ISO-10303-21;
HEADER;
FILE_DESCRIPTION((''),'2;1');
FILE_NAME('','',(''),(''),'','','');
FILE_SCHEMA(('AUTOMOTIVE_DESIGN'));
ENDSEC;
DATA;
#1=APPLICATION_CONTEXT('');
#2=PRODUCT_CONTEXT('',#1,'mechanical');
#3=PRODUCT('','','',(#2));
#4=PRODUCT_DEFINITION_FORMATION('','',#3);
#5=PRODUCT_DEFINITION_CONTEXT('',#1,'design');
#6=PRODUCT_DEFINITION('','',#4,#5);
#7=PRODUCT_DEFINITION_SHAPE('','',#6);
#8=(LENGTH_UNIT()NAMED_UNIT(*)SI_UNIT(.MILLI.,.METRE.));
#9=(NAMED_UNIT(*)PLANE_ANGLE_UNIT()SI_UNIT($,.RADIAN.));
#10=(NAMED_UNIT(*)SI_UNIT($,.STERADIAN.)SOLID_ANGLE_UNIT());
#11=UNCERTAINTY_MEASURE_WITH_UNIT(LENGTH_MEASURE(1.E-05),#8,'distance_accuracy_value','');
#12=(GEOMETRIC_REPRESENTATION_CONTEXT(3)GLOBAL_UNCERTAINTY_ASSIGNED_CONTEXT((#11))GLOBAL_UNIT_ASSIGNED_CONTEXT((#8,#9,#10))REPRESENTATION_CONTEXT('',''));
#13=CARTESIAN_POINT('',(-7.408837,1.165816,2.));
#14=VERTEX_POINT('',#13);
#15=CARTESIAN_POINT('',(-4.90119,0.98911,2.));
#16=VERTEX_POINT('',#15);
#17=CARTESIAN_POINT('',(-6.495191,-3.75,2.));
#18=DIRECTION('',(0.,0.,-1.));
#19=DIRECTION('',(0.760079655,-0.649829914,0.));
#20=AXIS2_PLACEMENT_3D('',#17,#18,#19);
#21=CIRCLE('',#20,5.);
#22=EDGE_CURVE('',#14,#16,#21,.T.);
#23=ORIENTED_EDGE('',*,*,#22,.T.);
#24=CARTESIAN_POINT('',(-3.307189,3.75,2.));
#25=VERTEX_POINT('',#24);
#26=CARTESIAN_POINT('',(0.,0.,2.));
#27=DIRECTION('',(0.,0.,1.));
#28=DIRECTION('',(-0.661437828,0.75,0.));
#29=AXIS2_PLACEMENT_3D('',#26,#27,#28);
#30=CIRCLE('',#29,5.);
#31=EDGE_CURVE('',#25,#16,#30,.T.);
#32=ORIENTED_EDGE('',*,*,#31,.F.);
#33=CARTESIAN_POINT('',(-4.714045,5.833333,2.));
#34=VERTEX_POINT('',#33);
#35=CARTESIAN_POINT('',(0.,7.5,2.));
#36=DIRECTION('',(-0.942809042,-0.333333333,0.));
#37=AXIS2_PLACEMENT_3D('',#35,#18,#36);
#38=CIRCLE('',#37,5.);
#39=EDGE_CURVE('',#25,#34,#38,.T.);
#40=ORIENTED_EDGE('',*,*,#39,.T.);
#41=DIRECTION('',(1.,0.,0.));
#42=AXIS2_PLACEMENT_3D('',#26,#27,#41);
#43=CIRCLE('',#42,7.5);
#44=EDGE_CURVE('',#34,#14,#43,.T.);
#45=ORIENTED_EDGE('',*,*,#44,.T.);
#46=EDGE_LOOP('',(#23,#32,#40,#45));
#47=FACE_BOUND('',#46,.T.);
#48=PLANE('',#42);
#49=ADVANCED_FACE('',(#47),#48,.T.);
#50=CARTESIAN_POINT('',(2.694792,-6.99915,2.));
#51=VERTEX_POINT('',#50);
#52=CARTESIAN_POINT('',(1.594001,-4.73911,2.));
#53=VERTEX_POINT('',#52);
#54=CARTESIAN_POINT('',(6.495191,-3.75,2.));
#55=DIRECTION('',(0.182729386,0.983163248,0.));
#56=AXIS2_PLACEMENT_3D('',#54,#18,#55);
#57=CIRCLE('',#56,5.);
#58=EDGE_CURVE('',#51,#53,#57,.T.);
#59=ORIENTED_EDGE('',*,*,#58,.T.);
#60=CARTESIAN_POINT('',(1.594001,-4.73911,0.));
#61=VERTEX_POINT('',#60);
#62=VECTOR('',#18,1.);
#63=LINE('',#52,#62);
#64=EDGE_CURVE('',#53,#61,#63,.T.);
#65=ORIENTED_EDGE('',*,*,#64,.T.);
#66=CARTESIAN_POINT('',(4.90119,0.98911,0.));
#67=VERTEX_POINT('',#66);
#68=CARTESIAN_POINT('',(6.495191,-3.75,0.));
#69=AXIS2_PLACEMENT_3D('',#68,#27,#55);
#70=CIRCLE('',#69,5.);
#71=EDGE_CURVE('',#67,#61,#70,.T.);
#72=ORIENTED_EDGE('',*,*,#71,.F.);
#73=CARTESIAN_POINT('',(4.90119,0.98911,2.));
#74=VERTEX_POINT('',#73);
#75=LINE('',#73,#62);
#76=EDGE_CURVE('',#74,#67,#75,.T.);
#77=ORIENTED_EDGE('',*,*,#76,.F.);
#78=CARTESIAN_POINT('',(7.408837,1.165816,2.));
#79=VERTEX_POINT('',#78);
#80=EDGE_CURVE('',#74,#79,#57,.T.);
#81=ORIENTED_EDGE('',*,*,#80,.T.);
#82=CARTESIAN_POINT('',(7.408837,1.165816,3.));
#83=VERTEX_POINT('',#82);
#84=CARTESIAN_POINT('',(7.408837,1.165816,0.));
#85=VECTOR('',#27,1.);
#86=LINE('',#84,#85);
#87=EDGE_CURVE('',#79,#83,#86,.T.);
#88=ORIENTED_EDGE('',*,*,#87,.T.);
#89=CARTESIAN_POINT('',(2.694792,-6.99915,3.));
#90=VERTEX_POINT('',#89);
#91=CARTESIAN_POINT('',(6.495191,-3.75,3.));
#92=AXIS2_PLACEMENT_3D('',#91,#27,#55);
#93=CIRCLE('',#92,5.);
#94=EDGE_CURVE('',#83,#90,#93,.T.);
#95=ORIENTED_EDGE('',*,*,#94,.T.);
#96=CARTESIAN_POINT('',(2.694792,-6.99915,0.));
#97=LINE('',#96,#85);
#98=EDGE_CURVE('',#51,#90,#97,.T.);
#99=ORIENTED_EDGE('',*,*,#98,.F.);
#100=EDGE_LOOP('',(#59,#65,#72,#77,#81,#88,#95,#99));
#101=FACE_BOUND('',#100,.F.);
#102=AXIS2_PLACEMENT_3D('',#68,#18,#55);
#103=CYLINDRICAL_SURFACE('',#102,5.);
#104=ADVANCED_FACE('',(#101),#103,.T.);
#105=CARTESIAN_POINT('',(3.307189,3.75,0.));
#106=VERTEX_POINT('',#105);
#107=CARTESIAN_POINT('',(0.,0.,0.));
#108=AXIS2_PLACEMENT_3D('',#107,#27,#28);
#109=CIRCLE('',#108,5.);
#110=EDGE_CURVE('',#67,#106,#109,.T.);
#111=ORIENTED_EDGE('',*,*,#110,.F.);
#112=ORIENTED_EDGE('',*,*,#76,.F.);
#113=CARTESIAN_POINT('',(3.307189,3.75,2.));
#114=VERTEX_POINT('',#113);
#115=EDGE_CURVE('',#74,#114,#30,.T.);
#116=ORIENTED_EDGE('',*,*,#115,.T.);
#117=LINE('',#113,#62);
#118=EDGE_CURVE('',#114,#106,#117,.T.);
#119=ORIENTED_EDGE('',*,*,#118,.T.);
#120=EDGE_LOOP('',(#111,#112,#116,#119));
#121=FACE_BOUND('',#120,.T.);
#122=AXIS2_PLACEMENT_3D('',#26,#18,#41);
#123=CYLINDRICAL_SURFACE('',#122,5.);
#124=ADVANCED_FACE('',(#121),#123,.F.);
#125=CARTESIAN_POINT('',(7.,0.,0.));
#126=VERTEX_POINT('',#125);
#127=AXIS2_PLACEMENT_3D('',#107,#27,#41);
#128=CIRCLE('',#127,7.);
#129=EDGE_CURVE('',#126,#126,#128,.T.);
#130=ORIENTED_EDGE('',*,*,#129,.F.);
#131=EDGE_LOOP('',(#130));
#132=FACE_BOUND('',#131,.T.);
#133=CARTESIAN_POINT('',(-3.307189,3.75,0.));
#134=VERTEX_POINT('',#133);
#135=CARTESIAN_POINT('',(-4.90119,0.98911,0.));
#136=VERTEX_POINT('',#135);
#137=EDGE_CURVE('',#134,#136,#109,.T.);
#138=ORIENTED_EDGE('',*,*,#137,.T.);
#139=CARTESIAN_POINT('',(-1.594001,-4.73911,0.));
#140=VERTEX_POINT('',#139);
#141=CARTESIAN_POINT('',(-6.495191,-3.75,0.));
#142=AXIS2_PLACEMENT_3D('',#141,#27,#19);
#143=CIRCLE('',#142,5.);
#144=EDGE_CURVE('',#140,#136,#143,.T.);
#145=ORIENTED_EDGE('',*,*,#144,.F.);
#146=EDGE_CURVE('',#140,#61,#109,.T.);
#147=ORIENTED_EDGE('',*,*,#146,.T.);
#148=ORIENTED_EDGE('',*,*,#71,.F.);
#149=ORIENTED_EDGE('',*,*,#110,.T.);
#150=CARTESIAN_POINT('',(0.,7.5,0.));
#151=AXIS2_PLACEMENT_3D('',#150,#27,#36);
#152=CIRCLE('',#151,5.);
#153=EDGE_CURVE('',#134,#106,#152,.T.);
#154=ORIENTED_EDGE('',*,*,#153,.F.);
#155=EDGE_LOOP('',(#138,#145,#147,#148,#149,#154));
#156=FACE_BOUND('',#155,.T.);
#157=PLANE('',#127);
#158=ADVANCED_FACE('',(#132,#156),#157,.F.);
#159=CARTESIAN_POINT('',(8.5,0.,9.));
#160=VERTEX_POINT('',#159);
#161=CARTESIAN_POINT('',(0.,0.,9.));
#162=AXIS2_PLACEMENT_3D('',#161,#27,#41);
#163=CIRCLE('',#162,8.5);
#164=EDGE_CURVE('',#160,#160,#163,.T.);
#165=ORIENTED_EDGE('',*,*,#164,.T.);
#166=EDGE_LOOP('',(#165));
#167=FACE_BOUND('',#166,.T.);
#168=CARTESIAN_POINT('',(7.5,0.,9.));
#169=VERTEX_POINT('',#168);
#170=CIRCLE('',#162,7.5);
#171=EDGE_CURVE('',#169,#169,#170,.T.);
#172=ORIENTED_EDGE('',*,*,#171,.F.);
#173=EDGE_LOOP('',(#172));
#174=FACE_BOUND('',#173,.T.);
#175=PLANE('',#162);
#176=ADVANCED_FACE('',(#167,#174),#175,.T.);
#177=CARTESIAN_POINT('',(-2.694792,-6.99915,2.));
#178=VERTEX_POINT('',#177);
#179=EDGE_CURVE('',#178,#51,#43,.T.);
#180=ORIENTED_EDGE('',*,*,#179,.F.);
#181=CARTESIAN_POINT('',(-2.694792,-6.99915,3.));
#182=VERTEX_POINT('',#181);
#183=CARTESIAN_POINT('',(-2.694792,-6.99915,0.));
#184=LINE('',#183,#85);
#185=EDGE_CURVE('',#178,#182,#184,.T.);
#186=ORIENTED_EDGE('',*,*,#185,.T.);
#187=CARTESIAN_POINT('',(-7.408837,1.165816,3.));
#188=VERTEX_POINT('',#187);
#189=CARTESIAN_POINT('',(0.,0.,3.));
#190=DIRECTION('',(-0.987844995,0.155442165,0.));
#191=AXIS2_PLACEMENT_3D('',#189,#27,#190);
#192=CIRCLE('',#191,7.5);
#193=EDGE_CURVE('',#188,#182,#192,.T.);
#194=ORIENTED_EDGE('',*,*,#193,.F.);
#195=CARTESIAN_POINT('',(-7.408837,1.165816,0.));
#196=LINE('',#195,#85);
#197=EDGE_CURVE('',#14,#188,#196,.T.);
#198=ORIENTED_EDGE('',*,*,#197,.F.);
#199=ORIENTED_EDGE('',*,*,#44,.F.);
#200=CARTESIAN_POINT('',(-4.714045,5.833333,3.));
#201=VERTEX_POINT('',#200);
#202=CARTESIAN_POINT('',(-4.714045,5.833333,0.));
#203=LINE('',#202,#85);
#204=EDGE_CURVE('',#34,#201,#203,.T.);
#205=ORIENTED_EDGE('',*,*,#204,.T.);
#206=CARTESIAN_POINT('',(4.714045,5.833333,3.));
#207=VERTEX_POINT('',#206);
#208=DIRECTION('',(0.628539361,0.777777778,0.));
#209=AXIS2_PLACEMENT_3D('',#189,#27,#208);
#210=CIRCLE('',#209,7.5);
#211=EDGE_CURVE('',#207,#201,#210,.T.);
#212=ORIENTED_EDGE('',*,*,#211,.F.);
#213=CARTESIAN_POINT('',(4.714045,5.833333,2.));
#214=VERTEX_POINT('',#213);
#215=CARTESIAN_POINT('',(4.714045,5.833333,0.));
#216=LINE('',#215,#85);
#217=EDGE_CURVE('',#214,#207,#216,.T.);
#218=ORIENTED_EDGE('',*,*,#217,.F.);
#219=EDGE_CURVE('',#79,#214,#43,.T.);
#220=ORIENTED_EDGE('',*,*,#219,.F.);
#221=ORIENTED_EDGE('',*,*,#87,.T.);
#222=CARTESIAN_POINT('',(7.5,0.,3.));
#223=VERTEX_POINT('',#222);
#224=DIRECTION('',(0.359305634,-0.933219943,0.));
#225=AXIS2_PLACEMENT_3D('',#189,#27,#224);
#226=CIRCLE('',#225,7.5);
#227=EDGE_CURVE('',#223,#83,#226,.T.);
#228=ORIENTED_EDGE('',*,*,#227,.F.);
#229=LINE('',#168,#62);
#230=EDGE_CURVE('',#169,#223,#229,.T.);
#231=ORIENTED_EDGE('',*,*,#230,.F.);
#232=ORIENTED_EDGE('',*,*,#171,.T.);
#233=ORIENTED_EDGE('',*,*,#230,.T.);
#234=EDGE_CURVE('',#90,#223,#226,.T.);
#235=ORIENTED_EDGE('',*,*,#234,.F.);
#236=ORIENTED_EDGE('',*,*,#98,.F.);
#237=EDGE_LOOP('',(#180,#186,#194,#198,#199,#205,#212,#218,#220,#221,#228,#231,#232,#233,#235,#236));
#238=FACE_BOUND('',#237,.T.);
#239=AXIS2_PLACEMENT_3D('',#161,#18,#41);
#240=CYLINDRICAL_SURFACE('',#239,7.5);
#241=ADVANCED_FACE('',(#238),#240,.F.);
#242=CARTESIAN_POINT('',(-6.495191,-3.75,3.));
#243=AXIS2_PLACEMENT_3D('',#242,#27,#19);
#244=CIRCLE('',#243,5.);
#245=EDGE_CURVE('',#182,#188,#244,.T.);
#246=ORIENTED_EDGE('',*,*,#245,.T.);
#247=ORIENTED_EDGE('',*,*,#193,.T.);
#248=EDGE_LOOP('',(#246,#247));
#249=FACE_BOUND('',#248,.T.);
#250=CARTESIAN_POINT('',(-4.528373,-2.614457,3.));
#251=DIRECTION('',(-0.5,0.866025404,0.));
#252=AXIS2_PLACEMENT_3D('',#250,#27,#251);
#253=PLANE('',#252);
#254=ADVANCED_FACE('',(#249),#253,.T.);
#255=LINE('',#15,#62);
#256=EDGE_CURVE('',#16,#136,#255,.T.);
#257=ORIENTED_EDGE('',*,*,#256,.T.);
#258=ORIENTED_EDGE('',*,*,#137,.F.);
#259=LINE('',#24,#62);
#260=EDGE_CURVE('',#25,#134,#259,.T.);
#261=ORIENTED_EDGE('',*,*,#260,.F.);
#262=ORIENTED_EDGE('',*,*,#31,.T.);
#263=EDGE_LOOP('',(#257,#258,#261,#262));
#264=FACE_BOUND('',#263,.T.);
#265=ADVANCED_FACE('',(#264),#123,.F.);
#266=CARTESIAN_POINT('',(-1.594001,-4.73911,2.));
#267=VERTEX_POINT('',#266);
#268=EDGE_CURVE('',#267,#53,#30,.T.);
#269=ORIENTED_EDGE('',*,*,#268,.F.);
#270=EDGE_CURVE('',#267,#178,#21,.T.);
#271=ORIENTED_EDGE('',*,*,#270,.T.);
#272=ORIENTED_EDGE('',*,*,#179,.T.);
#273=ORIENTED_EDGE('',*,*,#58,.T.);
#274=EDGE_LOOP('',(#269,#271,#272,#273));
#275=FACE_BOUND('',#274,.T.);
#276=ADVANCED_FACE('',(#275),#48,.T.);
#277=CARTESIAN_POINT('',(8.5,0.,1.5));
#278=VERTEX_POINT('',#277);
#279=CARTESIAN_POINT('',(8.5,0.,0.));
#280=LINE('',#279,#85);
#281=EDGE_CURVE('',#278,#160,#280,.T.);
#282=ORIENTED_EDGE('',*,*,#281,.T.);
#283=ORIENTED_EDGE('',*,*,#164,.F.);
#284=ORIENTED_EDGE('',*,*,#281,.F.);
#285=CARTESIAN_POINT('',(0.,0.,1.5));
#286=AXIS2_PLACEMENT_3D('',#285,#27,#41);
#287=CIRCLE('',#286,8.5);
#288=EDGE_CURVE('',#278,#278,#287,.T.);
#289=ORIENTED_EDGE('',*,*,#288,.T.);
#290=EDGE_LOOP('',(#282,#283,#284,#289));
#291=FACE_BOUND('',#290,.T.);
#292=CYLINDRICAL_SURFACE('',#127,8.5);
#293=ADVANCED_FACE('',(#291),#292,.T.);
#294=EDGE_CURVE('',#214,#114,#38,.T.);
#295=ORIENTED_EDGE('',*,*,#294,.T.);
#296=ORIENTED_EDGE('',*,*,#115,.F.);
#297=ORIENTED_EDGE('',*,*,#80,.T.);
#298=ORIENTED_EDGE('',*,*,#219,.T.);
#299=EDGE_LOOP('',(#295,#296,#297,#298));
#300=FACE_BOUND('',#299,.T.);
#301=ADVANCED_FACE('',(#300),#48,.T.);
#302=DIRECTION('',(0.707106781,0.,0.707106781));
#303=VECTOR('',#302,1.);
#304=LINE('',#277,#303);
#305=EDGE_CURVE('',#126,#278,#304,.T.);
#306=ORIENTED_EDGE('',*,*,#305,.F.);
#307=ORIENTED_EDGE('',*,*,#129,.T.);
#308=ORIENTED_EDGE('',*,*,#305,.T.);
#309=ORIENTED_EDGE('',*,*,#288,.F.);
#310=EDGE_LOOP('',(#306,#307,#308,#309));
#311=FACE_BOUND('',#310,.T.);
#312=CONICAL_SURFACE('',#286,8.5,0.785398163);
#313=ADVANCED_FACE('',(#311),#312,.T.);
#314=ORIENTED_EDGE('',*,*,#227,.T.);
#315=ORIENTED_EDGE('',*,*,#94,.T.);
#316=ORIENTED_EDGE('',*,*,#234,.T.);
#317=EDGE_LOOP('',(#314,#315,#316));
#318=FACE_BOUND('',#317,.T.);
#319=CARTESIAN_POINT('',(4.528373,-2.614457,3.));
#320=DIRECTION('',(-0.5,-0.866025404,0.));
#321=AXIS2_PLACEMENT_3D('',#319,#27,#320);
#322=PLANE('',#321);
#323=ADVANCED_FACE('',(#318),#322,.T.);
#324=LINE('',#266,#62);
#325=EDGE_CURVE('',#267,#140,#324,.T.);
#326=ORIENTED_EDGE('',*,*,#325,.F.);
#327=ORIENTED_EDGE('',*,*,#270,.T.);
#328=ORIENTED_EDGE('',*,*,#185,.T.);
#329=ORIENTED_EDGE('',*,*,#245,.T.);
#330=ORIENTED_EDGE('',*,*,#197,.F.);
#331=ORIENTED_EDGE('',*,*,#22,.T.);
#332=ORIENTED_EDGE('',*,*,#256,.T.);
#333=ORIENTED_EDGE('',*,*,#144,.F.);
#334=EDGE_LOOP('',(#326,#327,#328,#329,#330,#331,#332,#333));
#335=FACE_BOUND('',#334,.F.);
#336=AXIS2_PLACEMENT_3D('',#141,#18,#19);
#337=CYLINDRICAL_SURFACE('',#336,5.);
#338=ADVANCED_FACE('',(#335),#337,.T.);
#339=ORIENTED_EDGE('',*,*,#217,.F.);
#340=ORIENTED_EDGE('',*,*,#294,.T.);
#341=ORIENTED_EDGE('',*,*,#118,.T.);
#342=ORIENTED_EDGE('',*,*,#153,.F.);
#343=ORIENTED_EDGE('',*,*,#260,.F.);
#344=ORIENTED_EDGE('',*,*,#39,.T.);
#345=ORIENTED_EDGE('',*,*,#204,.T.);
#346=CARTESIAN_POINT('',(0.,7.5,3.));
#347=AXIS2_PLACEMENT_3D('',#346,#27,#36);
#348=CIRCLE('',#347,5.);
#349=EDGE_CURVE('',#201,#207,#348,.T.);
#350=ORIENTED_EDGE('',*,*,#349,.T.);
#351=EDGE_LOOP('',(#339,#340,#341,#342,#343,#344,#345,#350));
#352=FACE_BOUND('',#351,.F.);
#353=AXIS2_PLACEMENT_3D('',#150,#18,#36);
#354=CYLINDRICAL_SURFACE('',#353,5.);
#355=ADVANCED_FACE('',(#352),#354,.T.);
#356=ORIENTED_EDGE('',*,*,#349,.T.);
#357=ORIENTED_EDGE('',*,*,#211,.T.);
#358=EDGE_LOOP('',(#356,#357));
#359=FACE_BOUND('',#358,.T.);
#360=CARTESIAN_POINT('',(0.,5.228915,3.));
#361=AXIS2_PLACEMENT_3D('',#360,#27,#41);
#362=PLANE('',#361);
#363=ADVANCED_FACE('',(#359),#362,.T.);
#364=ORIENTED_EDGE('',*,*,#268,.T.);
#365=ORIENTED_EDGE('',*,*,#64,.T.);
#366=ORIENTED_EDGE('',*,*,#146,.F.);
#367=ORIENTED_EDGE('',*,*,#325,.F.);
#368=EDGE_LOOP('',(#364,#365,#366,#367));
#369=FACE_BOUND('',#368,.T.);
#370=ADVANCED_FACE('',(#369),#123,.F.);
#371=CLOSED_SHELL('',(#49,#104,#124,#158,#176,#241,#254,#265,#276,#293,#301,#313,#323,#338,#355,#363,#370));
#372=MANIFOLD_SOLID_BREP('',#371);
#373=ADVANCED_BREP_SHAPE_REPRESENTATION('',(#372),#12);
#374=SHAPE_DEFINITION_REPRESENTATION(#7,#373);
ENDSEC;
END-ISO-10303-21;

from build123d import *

# Parameters (mm, degrees)
PAD_DEPTH          = 3
POLARPATTERN_COUNT = 3
CHAMFER_SIZE       = 1.5


with BuildPart() as part:
    # Sketch → Revolution (revolve)
    with BuildSketch(Plane.XZ):
        Polygon((5, 0), (8.5, 0), (8.5, 9), (7.5, 9), (7.5, 2), (5, 2), align=None)
    revolve(axis=Axis((0, 0, 0), (0, 0, 1)))

    # Sketch001 → Pad (new body)
    with BuildSketch(Plane.XY):
        with BuildLine():
            ThreePointArc((-4.7140452079, 5.8333333333), (0, 2.5), (4.7140452079, 5.8333333333))
            ThreePointArc((4.7140452079, 5.8333333333), (0, 7.5), (-4.7140452079, 5.8333333333))
        make_face()
    pad = extrude(amount=PAD_DEPTH)

    # PolarPattern: Pad ×3 about axis
    polarpattern_axis = Axis((0, 0, 0), (0, 0, 1))
    for i in range(1, POLARPATTERN_COUNT):
        add(pad.rotate(polarpattern_axis, i * 360 / POLARPATTERN_COUNT))

    # Chamfer
    chamfer_edges = [part.edges().sort_by_distance(p)[0] for p in [
        (-8.5, 0, 0),
    ]]
    chamfer(chamfer_edges, length=CHAMFER_SIZE)


solid = part.part
